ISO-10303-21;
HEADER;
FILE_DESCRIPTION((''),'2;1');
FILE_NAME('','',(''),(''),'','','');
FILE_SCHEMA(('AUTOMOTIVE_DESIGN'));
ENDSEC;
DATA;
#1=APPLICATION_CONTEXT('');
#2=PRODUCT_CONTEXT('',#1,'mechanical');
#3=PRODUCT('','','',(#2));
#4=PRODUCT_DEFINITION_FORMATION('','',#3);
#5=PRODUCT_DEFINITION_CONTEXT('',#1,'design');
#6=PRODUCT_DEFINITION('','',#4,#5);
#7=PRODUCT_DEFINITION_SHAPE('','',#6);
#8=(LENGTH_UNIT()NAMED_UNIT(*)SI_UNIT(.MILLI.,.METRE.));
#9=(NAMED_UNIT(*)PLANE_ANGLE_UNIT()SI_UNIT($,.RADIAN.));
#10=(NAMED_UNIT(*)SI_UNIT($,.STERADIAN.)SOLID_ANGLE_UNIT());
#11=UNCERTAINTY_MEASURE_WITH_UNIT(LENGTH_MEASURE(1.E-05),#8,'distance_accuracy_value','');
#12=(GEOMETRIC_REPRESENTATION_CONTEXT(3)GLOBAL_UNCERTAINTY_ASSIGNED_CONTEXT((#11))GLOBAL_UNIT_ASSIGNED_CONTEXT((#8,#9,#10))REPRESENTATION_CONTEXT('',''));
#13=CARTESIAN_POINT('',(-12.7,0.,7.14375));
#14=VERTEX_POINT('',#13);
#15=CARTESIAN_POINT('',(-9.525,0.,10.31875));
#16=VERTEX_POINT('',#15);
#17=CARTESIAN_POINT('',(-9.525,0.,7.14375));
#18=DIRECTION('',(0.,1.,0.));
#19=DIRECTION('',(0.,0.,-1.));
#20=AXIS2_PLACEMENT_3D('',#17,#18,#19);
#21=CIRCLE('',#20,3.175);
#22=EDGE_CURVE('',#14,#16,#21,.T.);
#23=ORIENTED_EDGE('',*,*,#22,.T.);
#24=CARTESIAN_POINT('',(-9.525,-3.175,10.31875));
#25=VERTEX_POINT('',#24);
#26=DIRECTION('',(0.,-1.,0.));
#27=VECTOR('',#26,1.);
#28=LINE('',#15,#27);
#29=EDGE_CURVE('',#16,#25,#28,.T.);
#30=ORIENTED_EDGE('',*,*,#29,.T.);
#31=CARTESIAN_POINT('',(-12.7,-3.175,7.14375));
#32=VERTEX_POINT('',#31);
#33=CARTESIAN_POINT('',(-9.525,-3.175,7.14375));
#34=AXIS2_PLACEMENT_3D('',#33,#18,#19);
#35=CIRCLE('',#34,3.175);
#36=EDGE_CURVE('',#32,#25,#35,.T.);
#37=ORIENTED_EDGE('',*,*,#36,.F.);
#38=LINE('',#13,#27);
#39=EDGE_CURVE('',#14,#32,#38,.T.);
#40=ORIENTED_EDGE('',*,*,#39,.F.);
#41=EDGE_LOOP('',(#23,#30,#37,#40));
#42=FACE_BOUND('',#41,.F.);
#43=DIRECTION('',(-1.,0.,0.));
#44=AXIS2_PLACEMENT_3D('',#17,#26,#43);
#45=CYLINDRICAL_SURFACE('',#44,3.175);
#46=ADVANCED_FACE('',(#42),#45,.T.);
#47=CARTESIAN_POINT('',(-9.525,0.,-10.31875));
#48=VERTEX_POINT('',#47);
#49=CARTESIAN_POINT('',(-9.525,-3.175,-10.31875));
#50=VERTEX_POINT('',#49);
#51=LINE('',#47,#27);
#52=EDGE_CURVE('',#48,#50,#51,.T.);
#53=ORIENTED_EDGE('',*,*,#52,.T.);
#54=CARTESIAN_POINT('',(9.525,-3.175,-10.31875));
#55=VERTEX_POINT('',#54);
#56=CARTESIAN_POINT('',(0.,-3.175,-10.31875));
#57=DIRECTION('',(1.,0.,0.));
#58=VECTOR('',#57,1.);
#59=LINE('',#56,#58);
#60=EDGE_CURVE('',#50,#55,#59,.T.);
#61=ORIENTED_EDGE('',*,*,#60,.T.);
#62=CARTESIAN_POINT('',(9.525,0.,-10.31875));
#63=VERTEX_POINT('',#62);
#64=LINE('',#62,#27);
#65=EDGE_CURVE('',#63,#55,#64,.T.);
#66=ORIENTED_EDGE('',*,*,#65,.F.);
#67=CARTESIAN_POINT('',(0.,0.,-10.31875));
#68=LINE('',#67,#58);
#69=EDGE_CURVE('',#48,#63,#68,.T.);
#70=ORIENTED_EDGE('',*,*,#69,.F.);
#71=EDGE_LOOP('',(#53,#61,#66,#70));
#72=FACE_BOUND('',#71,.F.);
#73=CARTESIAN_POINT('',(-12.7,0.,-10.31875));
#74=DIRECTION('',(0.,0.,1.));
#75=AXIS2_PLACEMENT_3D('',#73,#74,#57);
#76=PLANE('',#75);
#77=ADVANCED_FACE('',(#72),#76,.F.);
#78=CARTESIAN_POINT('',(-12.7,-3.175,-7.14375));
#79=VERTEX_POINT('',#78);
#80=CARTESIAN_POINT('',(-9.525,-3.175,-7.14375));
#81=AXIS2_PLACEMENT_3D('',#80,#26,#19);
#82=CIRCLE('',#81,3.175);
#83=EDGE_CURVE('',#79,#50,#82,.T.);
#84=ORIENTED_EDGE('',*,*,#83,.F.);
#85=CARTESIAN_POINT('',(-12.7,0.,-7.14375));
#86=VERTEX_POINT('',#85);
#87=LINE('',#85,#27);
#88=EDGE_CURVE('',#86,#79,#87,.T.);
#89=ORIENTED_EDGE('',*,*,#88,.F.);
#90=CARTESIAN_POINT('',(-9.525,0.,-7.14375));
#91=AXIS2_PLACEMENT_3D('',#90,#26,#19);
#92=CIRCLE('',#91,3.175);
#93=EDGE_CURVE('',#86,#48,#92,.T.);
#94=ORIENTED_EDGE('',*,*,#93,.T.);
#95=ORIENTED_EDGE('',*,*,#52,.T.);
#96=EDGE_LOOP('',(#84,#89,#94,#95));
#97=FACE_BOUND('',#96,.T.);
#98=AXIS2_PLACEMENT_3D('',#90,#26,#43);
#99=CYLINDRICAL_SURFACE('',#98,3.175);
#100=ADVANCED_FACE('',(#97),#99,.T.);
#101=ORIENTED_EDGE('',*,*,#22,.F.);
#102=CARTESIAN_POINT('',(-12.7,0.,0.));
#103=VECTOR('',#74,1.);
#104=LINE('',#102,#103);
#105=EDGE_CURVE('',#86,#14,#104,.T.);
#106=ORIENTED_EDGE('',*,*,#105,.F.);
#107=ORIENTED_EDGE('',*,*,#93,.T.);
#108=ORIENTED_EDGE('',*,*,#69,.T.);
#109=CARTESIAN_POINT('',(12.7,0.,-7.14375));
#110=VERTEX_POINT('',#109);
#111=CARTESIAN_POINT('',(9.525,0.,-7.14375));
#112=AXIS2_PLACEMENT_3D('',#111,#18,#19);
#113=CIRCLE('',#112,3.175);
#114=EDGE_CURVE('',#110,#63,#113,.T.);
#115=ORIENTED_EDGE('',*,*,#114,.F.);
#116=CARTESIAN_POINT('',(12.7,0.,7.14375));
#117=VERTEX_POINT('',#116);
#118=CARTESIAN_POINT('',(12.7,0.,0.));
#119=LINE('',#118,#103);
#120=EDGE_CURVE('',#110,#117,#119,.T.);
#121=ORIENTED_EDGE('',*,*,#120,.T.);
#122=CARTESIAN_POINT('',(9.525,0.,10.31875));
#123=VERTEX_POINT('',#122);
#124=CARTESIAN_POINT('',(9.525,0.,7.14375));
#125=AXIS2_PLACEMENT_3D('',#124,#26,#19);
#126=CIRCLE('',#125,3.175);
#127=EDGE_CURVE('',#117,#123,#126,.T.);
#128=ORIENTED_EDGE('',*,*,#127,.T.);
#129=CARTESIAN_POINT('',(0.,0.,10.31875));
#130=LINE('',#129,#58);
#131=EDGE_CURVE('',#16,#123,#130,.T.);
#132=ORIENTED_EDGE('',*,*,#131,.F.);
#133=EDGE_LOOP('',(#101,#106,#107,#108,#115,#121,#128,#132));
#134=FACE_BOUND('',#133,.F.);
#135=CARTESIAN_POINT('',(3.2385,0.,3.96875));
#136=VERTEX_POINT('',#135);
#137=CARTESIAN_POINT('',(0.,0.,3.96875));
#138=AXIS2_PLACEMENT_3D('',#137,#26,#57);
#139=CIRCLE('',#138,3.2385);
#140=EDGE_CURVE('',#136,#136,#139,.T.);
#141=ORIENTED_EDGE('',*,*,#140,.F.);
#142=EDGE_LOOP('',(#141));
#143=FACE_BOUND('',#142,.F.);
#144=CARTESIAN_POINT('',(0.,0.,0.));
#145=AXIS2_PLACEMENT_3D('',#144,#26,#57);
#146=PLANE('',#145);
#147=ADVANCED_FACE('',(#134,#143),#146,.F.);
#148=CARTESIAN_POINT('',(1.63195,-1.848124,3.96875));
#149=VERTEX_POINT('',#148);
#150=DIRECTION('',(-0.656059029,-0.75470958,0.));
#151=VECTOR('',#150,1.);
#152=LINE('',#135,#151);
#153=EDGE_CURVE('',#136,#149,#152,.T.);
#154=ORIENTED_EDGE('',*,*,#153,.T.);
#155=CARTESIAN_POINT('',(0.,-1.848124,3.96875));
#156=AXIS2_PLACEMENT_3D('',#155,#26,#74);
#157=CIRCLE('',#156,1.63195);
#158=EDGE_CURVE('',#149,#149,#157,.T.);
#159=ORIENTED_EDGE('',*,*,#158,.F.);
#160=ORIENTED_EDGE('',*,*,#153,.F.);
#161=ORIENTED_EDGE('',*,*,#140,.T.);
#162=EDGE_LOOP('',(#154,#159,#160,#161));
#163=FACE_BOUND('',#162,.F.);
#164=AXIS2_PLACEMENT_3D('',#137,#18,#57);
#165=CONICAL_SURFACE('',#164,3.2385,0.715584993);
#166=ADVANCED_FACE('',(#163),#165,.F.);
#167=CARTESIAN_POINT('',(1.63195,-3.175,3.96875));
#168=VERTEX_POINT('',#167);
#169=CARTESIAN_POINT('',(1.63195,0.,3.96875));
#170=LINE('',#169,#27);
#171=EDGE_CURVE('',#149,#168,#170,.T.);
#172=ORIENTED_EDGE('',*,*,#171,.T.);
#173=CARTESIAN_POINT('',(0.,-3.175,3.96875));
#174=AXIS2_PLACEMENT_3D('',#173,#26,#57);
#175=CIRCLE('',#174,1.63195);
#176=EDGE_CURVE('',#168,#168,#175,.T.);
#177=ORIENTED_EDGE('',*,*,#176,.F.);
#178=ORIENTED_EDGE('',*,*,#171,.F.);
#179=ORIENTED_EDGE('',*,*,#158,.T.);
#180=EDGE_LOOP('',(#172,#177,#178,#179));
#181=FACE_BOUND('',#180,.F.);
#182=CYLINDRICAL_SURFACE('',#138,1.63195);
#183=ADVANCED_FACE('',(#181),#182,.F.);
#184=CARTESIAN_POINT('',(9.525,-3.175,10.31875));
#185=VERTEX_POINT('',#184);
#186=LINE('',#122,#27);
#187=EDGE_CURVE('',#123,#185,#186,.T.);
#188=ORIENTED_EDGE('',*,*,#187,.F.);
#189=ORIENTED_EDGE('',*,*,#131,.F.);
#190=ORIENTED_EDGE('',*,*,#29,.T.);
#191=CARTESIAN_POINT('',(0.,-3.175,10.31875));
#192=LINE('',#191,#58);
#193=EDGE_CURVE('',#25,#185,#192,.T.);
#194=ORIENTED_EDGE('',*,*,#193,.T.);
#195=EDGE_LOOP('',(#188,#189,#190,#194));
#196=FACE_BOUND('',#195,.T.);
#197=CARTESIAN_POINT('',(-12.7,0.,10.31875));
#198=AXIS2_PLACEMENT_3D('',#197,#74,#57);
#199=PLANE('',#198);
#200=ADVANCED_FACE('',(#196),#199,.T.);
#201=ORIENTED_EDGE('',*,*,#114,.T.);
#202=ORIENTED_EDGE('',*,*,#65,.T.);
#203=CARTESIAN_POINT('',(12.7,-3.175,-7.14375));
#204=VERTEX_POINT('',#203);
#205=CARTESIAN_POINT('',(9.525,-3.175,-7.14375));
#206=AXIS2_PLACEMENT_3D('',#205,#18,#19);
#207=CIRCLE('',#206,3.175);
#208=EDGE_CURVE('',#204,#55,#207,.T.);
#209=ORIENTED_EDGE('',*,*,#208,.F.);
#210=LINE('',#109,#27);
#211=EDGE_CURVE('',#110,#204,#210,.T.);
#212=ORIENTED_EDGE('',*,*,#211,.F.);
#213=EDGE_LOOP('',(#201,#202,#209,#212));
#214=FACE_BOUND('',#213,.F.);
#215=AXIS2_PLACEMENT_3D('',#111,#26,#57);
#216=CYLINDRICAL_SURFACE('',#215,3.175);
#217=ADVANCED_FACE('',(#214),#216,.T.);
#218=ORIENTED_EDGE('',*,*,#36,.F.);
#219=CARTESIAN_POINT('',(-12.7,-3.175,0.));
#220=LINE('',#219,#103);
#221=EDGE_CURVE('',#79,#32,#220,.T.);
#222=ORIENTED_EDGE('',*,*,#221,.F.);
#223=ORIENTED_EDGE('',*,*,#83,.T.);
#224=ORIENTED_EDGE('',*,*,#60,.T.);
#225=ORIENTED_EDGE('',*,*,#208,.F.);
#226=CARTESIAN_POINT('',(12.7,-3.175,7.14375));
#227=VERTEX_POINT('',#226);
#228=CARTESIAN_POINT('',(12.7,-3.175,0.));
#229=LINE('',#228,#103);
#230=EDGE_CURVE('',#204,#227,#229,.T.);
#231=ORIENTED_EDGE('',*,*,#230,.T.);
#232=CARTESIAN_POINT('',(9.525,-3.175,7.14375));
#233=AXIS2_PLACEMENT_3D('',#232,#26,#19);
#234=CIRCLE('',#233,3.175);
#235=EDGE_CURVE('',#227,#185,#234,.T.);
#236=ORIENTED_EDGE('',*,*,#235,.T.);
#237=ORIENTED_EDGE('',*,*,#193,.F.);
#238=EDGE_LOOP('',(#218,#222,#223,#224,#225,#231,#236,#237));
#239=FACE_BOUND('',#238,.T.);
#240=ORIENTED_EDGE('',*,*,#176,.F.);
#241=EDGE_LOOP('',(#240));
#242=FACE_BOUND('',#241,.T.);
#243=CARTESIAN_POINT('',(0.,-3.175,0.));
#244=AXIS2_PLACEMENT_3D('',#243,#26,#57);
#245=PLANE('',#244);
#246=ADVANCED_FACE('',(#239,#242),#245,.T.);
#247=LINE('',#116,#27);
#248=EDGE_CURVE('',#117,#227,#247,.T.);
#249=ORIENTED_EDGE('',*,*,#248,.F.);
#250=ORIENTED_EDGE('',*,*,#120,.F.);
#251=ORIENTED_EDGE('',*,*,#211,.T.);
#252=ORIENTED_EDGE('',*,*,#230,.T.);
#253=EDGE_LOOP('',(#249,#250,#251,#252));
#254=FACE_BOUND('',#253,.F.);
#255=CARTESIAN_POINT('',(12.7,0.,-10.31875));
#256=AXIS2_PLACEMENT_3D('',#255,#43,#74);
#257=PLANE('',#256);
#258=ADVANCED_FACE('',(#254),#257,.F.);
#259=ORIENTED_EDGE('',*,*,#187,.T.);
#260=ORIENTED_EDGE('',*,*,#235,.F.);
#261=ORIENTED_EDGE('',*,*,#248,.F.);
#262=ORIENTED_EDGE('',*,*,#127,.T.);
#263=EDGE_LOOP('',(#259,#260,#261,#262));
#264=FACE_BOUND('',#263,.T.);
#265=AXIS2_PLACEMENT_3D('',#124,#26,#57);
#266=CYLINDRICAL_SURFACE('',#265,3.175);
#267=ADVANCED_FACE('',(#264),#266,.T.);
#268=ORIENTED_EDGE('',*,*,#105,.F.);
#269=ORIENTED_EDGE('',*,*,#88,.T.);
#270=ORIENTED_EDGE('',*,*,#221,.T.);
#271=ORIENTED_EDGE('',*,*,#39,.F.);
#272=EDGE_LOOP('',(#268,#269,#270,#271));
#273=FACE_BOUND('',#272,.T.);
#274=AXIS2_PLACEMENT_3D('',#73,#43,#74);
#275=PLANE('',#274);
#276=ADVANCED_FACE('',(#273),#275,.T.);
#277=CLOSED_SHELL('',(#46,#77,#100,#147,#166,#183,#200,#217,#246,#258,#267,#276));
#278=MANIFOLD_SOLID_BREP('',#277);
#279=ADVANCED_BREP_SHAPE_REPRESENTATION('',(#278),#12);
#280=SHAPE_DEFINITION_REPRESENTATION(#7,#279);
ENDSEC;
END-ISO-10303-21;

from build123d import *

# Parameters (mm, degrees)
F0_W           = 25.4
F0_H           = 20.6375
F1_DEPTH       = 3.175
F3_D           = 3.2639
F3_CSINK_D     = 6.477
F3_CSINK_ANGLE = 82
F4_R           = 3.175


with BuildPart() as f1:
    # F0 (on Front) → F1 (new body)
    with BuildSketch(Plane.XZ):
        Rectangle(F0_W, F0_H)
    extrude(amount=F1_DEPTH)

    # F3 (through all)
    with Locations(Plane(origin=(0, 0, 0), x_dir=(-1, 0, 0), z_dir=(0, 1, 0))):
        with Locations((0, 3.96875)):
            CounterSinkHole(F3_D / 2, F3_CSINK_D / 2, counter_sink_angle=F3_CSINK_ANGLE)

    # F4
    f4_edges = [f1.edges().sort_by_distance(p)[0] for p in [
        (12.7, -1.5875, 10.31875),
        (-12.7, -1.5875, 10.31875),
        (-12.7, -1.5875, -10.31875),
        (12.7, -1.5875, -10.31875),
    ]]
    fillet(f4_edges, radius=F4_R)


solid = f1.part
